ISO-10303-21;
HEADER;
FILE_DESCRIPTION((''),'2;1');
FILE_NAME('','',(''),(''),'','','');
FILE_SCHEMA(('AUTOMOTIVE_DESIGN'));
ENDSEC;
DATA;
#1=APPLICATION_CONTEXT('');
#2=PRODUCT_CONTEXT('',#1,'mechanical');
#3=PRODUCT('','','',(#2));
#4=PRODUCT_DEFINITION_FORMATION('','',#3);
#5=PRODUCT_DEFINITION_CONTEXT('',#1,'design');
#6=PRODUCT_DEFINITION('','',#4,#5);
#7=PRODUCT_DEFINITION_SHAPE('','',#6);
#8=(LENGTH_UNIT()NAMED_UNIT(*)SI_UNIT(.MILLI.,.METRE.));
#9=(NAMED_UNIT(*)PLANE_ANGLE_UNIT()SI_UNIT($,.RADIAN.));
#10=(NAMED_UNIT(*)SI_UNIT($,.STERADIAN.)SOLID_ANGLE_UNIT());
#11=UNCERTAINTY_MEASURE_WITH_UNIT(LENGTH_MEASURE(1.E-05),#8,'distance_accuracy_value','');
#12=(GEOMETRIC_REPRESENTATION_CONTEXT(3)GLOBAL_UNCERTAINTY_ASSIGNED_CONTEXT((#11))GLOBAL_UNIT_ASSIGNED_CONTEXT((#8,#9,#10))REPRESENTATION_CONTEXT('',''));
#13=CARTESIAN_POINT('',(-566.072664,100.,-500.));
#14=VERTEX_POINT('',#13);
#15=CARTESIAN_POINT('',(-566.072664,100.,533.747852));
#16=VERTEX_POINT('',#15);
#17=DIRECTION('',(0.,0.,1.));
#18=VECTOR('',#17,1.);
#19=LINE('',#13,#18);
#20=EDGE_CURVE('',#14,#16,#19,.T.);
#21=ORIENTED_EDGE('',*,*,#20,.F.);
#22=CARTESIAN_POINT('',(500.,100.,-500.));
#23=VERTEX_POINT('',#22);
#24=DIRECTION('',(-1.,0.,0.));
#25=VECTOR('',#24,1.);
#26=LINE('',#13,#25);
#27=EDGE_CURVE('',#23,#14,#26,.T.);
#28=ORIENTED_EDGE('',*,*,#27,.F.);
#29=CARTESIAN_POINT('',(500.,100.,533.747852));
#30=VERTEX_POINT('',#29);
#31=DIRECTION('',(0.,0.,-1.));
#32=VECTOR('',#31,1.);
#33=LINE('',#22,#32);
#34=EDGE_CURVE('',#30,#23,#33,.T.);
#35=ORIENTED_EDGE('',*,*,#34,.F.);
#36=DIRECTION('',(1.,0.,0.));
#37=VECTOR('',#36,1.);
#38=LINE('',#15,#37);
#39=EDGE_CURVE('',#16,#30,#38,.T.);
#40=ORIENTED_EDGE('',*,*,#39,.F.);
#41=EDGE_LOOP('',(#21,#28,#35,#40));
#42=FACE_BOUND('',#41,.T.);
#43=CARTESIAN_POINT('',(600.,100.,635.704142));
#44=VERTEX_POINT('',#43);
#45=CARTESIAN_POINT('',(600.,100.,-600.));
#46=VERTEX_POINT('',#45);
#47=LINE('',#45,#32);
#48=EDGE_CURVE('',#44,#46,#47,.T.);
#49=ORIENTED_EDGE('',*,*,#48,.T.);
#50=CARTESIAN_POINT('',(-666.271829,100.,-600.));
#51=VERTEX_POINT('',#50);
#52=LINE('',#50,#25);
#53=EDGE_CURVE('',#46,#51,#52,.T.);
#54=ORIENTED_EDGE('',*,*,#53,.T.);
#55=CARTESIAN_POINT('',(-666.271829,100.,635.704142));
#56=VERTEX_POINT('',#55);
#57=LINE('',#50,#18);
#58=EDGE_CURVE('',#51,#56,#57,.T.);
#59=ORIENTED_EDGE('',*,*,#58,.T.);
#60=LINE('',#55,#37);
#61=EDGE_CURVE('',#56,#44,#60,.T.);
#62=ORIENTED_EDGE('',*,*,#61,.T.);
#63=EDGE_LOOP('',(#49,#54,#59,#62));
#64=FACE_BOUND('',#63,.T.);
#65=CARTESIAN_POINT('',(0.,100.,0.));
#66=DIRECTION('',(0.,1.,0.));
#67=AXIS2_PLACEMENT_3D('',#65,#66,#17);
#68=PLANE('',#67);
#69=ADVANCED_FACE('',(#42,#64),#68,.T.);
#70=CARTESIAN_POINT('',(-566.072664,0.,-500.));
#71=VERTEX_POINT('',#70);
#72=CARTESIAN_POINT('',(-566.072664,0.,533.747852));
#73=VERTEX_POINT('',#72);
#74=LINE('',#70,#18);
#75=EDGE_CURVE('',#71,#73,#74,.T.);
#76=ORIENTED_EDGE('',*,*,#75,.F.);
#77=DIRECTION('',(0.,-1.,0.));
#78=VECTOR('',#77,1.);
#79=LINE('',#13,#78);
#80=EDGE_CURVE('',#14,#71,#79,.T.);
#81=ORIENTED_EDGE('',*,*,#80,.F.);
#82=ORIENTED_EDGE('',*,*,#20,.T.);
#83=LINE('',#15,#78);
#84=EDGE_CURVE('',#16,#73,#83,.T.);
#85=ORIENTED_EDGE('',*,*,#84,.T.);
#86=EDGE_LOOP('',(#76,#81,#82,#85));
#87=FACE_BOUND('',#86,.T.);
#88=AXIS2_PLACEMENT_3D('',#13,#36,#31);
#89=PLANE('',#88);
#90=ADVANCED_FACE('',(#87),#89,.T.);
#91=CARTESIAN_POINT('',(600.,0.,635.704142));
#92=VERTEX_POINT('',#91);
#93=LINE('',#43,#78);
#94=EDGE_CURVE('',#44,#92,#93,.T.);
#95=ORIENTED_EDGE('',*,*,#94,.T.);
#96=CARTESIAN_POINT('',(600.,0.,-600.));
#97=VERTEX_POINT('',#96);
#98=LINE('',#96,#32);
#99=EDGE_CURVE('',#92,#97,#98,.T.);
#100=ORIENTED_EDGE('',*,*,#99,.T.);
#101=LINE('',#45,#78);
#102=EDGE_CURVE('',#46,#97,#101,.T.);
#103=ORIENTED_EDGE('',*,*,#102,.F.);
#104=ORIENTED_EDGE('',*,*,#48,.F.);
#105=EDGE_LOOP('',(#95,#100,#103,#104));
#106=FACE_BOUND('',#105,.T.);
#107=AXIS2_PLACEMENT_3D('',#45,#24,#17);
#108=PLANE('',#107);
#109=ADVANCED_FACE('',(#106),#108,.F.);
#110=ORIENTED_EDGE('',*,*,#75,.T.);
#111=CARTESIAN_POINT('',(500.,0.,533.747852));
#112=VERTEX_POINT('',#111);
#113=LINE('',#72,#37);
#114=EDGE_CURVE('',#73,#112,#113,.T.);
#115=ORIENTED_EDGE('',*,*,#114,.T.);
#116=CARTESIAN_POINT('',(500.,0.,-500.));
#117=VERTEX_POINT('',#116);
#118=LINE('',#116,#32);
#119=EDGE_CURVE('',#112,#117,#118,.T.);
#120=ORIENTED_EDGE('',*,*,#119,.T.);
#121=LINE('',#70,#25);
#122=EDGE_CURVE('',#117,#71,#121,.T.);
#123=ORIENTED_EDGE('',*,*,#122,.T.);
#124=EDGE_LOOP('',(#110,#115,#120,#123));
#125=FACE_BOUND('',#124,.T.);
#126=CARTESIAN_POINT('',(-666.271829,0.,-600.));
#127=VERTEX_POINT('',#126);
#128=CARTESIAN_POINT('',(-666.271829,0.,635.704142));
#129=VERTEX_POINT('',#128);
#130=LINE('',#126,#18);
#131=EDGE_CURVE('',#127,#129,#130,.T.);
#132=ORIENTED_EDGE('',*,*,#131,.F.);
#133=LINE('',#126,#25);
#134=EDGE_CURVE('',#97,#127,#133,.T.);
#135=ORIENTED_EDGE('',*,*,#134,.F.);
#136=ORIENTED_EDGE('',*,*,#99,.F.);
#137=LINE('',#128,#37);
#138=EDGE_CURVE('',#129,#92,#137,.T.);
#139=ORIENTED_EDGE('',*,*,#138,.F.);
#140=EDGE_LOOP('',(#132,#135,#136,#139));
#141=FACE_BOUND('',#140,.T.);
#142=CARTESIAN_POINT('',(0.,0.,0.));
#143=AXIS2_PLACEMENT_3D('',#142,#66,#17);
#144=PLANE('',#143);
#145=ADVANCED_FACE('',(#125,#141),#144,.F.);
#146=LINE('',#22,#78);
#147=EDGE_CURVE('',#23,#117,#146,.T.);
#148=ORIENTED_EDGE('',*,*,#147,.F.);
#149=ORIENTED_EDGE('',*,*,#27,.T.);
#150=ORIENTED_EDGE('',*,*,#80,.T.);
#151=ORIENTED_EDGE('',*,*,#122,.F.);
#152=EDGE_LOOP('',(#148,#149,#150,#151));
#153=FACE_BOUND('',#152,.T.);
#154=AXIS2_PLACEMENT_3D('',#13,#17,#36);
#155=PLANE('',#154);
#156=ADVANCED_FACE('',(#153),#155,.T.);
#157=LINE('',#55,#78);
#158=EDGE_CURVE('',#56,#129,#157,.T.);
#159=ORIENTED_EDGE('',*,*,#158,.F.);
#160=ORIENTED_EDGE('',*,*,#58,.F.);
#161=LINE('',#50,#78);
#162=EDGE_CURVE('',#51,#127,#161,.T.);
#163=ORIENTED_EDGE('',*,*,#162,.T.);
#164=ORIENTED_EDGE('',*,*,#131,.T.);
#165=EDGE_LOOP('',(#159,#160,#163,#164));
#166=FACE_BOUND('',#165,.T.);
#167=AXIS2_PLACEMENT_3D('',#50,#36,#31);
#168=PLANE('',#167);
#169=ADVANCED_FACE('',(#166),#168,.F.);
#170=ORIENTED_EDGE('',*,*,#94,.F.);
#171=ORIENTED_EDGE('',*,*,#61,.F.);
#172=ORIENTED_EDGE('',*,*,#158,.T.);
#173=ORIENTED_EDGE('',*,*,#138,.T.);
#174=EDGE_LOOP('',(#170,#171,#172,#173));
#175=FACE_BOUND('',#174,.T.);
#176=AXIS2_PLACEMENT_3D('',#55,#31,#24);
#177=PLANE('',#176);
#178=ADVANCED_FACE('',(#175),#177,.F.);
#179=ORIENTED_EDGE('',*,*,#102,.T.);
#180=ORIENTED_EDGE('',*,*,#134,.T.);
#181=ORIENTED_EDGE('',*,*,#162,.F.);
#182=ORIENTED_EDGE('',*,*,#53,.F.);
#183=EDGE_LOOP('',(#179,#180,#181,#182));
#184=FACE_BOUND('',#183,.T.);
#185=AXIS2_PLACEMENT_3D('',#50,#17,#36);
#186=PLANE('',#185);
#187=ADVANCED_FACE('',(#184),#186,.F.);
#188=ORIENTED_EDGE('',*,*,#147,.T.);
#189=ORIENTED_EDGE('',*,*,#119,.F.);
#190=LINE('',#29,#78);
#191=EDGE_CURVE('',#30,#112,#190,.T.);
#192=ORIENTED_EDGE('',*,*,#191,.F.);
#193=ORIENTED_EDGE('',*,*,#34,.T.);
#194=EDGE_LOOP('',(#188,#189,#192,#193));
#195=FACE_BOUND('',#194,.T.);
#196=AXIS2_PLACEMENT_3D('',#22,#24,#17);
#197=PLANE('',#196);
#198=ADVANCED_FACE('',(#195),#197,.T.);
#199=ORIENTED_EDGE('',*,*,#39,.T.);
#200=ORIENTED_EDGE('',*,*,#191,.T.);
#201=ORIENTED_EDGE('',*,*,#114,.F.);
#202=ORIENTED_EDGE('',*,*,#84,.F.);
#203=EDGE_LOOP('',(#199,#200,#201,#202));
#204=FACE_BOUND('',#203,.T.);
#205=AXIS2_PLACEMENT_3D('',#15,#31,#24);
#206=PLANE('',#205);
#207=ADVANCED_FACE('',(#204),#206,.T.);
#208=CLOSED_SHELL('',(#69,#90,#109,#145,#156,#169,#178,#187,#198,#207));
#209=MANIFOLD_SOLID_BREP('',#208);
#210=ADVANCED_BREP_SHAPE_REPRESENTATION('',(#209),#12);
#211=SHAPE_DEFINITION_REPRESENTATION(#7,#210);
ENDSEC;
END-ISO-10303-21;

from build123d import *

# Parameters (mm, degrees)
SKETCH1_W           = 1266.271829393
SKETCH1_H           = 1235.704141756
SKETCH1_W_2         = 1066.072664352
SKETCH1_H_2         = 1033.747851994
BOSS_EXTRUDE1_DEPTH = 100


with BuildPart() as part:
    # Sketch1 → Boss-Extrude1 (new body)
    with BuildSketch(Plane(origin=(0, 0, 0), x_dir=(1, 0, 0), z_dir=(0, 1, 0))):
        with Locations((-33.135914697, -17.852070878)):
            Rectangle(SKETCH1_W, SKETCH1_H)
        with Locations((-33.036332176, -16.873925997)):
            Rectangle(SKETCH1_W_2, SKETCH1_H_2, mode=Mode.SUBTRACT)
    extrude(amount=BOSS_EXTRUDE1_DEPTH)


solid = part.part
